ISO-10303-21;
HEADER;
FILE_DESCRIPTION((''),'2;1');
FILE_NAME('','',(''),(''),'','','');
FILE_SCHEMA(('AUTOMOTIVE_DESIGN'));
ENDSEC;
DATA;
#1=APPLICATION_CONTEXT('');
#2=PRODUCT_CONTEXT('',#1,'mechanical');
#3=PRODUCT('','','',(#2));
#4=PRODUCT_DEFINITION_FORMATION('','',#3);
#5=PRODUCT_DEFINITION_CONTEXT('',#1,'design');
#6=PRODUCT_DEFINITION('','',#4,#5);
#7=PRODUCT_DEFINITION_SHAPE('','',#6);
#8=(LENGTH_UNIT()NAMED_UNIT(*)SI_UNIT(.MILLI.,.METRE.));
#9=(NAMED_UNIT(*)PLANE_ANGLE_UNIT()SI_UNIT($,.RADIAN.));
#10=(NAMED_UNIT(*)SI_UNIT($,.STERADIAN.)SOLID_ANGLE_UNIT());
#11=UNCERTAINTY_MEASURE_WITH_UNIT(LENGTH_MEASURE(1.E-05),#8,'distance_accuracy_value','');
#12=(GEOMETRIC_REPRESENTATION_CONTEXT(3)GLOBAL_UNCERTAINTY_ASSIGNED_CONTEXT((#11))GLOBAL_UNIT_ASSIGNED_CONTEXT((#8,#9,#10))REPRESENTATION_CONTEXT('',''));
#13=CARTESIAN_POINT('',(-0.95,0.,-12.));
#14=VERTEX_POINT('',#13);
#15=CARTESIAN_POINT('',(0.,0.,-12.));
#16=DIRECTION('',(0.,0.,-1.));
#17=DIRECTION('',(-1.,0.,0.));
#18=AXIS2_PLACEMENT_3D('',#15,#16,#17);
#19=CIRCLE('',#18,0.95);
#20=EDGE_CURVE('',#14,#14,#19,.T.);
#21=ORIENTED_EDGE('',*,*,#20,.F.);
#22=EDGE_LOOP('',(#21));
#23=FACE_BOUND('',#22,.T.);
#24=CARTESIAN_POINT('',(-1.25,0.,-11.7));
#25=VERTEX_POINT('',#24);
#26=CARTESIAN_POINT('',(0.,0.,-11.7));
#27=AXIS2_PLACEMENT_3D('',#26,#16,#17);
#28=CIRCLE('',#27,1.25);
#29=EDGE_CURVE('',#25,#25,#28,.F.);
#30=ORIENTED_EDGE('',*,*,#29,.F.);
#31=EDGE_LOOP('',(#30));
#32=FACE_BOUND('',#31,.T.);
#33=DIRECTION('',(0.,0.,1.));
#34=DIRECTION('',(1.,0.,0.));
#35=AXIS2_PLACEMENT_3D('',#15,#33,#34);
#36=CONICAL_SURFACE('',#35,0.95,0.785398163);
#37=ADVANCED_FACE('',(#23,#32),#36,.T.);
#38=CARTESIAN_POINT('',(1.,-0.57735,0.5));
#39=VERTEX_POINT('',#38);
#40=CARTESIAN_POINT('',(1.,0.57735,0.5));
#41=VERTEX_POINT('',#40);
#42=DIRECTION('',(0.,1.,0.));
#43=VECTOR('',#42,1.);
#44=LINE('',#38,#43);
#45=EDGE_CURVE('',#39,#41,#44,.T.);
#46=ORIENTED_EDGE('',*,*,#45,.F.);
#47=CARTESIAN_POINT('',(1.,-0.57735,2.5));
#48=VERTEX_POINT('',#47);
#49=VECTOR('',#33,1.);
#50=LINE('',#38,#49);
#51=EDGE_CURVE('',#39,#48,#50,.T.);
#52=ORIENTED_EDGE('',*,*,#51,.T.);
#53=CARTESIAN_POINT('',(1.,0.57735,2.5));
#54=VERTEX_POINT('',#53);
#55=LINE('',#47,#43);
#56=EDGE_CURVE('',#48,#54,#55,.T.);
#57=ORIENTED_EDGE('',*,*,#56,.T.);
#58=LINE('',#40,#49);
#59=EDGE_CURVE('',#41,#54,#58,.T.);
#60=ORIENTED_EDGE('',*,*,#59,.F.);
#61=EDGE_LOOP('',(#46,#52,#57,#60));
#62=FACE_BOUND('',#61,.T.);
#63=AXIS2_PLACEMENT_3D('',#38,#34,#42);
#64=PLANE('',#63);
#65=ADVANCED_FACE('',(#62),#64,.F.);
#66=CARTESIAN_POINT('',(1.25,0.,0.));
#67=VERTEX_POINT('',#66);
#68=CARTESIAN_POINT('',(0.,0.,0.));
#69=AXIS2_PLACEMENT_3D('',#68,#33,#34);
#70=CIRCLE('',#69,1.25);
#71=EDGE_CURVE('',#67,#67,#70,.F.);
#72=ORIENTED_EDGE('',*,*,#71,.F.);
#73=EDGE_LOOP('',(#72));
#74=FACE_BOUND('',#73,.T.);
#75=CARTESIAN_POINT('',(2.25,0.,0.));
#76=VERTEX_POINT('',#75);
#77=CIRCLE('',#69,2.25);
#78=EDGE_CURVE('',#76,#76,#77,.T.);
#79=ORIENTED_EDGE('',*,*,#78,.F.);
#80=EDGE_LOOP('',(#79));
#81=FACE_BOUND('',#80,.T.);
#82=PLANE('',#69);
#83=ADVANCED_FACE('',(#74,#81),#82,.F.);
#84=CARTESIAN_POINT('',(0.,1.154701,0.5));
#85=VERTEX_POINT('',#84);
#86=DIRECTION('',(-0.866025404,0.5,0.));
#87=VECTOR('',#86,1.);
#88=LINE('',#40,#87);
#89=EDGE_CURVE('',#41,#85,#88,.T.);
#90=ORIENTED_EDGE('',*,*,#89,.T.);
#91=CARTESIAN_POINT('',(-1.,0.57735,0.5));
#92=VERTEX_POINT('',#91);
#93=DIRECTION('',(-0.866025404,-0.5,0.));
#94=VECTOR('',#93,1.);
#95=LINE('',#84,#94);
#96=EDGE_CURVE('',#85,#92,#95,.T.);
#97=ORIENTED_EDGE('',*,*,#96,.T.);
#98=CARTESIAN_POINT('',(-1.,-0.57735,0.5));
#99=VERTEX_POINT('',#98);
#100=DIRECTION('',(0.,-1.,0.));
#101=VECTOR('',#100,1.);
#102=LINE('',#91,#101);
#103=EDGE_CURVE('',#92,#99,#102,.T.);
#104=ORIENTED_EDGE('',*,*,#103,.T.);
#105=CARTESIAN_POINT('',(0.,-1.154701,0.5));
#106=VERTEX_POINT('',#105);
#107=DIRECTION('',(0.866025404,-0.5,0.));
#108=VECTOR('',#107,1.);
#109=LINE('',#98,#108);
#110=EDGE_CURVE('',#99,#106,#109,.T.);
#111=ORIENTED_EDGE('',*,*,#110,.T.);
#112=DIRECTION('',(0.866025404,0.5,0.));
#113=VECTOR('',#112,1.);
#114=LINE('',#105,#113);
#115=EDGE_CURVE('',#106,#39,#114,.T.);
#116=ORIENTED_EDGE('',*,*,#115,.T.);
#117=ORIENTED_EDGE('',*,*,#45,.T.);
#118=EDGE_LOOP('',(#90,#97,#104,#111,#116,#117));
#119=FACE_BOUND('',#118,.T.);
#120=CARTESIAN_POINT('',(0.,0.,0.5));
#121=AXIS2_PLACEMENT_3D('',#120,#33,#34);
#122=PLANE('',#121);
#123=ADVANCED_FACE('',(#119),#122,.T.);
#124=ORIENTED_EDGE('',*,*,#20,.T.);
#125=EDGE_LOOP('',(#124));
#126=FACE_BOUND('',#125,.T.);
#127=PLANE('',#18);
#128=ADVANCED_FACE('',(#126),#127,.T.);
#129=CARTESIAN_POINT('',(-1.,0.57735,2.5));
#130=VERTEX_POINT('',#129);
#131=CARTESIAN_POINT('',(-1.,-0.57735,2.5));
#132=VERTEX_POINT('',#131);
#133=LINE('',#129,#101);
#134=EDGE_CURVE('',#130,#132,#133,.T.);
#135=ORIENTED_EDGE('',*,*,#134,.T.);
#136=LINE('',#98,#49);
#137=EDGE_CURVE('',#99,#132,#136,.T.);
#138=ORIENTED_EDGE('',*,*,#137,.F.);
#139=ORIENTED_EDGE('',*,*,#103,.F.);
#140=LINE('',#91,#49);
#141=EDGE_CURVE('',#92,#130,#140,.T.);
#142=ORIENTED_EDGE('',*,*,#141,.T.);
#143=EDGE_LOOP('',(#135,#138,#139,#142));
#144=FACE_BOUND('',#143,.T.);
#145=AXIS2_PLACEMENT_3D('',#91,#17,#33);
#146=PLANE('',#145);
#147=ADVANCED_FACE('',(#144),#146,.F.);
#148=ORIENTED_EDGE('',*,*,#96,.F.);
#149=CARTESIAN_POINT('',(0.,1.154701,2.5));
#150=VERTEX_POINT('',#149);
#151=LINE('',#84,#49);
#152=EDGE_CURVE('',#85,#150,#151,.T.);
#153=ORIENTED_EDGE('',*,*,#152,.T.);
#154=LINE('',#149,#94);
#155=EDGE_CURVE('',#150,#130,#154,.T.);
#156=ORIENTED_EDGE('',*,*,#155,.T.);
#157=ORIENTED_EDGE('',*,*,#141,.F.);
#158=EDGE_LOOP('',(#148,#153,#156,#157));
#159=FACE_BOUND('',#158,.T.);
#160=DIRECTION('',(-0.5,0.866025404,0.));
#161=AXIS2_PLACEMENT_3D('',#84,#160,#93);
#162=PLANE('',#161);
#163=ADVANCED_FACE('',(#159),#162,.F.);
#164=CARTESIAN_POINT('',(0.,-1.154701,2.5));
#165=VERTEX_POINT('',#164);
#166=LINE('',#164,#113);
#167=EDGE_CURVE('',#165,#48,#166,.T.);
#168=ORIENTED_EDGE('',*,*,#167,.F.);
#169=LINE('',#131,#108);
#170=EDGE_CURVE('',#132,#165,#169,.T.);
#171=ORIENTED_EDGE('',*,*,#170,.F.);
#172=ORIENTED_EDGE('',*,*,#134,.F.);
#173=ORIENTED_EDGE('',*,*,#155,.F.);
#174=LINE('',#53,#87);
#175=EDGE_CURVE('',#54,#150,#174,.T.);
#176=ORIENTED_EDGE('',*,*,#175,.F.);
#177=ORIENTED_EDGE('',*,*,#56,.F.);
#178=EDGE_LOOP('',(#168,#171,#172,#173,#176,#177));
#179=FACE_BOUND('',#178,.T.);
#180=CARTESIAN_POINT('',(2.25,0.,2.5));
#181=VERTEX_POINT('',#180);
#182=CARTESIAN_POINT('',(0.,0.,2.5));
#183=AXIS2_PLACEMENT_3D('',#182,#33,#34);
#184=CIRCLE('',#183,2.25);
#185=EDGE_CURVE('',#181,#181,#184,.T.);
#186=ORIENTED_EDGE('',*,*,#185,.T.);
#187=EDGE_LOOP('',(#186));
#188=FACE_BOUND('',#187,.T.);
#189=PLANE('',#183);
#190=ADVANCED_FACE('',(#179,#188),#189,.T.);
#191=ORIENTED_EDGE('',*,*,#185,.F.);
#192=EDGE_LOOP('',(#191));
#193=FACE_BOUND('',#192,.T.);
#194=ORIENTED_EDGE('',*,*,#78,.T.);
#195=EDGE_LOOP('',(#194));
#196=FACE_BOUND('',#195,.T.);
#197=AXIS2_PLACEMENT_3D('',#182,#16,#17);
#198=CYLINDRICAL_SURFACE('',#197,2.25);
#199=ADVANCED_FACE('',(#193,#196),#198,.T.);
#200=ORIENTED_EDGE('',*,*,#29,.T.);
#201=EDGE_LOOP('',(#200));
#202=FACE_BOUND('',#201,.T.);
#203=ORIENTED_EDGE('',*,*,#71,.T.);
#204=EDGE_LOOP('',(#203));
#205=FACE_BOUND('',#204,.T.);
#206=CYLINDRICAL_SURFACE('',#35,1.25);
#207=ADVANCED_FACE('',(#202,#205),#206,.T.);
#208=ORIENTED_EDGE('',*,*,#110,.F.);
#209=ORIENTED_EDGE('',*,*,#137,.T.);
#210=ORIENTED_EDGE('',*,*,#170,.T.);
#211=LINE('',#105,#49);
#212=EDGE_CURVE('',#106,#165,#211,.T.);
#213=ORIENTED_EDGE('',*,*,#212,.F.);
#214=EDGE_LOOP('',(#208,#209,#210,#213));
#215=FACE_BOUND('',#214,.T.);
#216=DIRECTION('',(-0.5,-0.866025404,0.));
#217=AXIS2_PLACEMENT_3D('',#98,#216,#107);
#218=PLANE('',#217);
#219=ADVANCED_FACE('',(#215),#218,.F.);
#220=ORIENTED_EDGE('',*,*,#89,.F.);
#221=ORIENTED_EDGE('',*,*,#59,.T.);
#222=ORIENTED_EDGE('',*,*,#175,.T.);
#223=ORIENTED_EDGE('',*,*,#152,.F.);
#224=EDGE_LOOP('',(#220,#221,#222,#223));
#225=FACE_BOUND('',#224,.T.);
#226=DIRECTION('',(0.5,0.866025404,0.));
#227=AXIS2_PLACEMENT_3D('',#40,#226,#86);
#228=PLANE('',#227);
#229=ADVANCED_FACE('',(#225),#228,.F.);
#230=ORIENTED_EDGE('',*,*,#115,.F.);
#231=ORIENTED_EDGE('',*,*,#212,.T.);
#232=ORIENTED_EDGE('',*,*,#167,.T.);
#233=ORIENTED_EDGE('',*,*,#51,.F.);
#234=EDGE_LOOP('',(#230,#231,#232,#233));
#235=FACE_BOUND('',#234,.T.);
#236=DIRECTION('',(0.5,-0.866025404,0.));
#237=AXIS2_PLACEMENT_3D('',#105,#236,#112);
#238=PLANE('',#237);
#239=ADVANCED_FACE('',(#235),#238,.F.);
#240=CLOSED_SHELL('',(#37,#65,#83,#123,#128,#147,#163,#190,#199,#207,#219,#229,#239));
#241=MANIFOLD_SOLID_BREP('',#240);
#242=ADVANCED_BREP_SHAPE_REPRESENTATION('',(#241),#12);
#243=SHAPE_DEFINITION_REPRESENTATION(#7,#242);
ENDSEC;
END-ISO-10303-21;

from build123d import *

# Parameters (mm, degrees)
SKETCH1_R           = 2.25
BOSS_EXTRUDE1_DEPTH = 2.5
SKETCH2_R           = 1.25
BOSS_EXTRUDE2_DEPTH = 12
CHAMFER1_SIZE       = 0.3
CUT_EXTRUDE1_DEPTH  = 2


with BuildPart() as part:
    # Sketch1 → Boss-Extrude1 (new body)
    with BuildSketch(Plane.XY):
        Circle(SKETCH1_R)
    extrude(amount=BOSS_EXTRUDE1_DEPTH)

    # Sketch2 → Boss-Extrude2 (add)
    with BuildSketch(Plane(origin=(0, 0, 0), x_dir=(-1, 0, 0), z_dir=(0, 0, -1))):
        Circle(SKETCH2_R)
    extrude(amount=BOSS_EXTRUDE2_DEPTH)

    # Chamfer1
    chamfer1_edges = [part.edges().sort_by_distance(p)[0] for p in [
        (1.25, 0, -12),
    ]]
    chamfer(chamfer1_edges, length=CHAMFER1_SIZE)

    # Sketch3 → Cut-Extrude1 (cut)
    with BuildSketch(Plane.XY.offset(2.5)):
        Polygon((0, 1.154700538), (-1, 0.577350269), (-1, -0.577350269), (0, -1.154700538), (1, -0.577350269), (1, 0.577350269), align=None)
    extrude(amount=-CUT_EXTRUDE1_DEPTH, mode=Mode.SUBTRACT)


solid = part.part
